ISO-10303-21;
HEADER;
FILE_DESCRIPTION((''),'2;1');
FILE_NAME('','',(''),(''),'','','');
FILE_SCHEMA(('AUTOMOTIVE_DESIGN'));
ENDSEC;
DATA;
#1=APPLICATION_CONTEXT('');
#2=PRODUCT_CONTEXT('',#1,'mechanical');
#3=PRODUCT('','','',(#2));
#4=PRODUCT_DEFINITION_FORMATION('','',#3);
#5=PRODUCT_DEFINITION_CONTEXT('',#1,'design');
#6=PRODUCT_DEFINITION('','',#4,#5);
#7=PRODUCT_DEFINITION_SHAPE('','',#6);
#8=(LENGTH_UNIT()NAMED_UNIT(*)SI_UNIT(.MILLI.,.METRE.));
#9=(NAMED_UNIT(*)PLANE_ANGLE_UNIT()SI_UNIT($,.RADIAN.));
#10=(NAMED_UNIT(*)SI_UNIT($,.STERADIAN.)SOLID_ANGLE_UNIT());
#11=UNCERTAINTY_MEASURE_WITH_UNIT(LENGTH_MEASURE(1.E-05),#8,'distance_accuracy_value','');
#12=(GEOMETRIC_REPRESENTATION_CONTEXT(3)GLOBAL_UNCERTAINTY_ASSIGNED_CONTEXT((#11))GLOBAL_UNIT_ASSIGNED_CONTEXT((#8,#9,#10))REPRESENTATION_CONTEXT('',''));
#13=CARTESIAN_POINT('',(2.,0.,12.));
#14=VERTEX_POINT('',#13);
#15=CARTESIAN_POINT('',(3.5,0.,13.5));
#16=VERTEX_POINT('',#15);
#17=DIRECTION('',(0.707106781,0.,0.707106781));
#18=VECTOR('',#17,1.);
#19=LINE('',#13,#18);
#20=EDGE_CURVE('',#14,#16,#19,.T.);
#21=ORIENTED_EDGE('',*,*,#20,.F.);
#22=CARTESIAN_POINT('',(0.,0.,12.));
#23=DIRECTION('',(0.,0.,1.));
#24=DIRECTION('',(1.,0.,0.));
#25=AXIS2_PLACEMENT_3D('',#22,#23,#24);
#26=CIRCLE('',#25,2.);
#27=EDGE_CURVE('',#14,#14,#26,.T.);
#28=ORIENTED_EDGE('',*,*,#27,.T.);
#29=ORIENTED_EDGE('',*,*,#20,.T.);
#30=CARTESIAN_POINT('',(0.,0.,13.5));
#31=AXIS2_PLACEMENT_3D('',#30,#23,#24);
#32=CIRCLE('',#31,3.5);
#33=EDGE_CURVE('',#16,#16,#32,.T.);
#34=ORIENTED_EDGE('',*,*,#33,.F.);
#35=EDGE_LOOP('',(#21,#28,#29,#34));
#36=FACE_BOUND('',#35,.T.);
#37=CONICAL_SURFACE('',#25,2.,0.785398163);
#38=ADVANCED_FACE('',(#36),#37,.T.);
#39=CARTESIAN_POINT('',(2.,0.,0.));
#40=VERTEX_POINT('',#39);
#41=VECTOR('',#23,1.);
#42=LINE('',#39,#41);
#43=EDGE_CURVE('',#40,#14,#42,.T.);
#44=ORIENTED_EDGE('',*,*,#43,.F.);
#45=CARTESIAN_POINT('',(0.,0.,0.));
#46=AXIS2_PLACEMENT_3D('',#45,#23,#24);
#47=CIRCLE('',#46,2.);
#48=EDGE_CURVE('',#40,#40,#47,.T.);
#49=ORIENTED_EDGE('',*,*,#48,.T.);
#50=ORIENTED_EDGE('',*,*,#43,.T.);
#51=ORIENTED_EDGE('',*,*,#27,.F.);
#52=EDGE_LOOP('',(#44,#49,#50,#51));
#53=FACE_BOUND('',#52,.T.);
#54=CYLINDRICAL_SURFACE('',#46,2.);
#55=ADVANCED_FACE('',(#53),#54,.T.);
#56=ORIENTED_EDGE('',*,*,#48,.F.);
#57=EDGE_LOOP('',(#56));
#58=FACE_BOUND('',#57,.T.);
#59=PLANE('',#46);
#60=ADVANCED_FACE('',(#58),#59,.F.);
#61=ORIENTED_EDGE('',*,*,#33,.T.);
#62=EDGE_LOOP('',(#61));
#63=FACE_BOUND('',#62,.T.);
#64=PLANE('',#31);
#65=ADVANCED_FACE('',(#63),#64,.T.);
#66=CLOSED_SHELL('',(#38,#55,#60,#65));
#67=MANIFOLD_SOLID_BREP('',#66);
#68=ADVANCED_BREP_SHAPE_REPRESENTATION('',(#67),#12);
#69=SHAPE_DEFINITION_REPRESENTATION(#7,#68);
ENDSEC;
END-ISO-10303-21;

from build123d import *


with BuildPart() as part:
    # Sketch → Revolution (revolve)
    with BuildSketch(Plane.XZ):
        Polygon((0, 0), (2, 0), (2, 12), (3.5, 13.5), (0, 13.5), align=None)
    revolve(axis=Axis((0, 0, 0), (0, 0, 1)))


solid = part.part
